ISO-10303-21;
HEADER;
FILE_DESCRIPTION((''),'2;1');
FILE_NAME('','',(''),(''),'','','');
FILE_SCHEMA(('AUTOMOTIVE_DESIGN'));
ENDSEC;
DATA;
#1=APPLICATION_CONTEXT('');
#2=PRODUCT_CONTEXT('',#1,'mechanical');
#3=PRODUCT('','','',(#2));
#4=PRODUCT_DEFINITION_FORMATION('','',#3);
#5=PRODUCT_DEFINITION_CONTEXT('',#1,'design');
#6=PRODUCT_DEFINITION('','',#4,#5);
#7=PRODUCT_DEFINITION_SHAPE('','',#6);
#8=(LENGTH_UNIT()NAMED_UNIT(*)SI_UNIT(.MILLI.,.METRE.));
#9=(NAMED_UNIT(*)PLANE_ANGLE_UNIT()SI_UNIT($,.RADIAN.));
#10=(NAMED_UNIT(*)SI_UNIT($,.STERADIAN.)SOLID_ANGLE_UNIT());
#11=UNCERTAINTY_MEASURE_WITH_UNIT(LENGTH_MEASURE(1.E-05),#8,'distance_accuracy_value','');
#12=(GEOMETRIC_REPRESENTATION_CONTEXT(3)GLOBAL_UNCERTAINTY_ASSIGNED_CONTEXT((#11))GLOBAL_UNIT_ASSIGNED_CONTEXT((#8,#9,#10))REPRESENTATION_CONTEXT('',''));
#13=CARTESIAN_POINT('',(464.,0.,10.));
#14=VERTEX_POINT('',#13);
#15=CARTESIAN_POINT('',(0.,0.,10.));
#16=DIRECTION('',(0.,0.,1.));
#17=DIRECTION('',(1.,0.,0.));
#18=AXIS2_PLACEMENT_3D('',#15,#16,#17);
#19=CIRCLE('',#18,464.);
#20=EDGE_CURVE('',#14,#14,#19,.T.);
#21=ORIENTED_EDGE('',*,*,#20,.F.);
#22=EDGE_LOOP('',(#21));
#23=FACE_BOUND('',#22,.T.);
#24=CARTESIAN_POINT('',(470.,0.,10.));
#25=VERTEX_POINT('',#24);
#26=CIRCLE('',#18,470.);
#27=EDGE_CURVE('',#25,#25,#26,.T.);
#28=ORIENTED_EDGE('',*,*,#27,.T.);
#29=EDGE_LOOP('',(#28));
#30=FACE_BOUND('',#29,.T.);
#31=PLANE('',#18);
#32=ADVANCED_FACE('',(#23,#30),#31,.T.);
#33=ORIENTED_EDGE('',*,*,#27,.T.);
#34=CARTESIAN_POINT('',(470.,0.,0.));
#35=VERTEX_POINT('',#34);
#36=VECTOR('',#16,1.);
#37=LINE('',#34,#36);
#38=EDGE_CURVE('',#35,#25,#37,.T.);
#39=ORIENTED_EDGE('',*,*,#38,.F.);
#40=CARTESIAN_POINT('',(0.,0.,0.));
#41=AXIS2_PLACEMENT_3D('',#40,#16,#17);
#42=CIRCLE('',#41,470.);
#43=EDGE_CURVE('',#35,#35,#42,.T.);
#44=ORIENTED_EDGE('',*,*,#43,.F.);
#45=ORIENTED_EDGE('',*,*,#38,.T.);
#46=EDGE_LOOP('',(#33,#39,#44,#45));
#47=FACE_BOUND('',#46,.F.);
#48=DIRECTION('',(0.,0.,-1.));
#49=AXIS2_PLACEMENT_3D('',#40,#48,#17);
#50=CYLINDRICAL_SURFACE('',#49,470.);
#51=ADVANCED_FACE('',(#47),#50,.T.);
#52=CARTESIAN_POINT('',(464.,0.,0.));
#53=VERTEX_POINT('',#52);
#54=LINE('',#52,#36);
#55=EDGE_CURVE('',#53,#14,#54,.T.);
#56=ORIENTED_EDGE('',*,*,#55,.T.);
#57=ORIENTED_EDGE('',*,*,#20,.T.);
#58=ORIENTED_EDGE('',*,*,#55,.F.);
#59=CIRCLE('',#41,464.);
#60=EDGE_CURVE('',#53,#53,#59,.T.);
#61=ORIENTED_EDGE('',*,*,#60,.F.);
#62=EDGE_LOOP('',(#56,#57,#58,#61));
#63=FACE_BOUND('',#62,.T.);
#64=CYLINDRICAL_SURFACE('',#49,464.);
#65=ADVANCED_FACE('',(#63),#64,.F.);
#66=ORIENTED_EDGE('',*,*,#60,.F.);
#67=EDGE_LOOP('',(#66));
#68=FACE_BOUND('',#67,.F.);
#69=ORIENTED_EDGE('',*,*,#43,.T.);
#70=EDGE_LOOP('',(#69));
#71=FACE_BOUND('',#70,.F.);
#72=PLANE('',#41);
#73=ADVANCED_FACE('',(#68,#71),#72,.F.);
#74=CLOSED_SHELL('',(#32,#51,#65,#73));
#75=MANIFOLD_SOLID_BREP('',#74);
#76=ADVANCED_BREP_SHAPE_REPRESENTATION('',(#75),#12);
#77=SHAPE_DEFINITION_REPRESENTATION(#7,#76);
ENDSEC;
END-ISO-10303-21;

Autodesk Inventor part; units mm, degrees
ref_plane "YZ Plane" through (0, 0, 0) normal (1, 0, 0) x (0, 1, 0)
ref_plane "XZ Plane" through (0, 0, 0) normal (0, 1, 0) x (-1, 0, 0)
ref_plane "XY Plane" through (0, 0, 0) normal (0, 0, 1) x (1, 0, 0)
sketch "Sketch1" plane through (0, 0, 0) normal (0, 0, 1) x (1, 0, 0)
  circle A0 centre (0, 0) radius 470
  circle A1 centre (0, 0) radius 464
  dimension "d0" = 940
  dimension "d1" = 6
extrude "Extrusion1" add sketch "Sketch1" along normal blind 10
sketch "Sketch2" plane through (0, 0, 0) normal (0, 0, 1) x (1, 0, 0)
  circle A0 centre (-90, -87.958) radius 95
  circle A1 centre (-250, -87.958) radius 95
  circle A2 centre (-398.347, -87.958) radius 95
  circle A3 centre (-128.347, -210) radius 95
  circle A4 centre (-313.347, -210) radius 95
  circle A5 centre (-218.347, -340) radius 95
  line L0 (1.653, -87.958) -> (-398.347, -87.958)
  line L1 (1.653, 2.1491) -> (1.653, -497.8509)
  line L2 (1.653, -340) -> (-218.347, -340)
  line L3 (1.653, -210) -> (-313.347, -210)
  circle A6 centre (-88.347, -340) radius 95
  point P0 (0, 0)
  dimension "d8" = 210
  dimension "d9" = 340
  dimension "d11" = 90
  dimension "d12" = 250
  dimension "d13" = 400
  dimension "d16" = 130
  dimension "d17" = 315
  dimension "d18" = 90
  dimension "d19" = 220
sketch "Sketch3" plane through (0, 0, 0) normal (0, 0, 1) x (1, 0, 0)
  circle A0 centre (-104.0992, -233.3488) radius 95
  circle A1 centre (-161.9131, -395.3117) radius 95
  circle A2 centre (-91.7953, -514.3257) radius 95
  circle A3 centre (-280.9346, -260.412) radius 95
  circle A4 centre (-299.5406, -418.8761) radius 95
  circle A5 centre (-250.7395, 99.5106) radius 95
  circle A6 centre (-395.8303, 87.9315) radius 95
  circle A7 centre (-535.2648, 91.0733) radius 95
  circle A8 centre (-460.3613, -287.8718) radius 95
  circle A9 centre (-531.2922, -111.9436) radius 95
  circle A10 centre (-392.3143, -102.4845) radius 95
  circle A11 centre (0, 0) radius 542.9574 construction
  circle A12 centre (-253.2201, -93.0176) radius 95
  circle A13 centre (-90.4998, -81.9426) radius 95
  circle A14 centre (85.6841, -88.1302) radius 95
  circle A15 centre (-90.4998, 88.0537) radius 95
  circle A16 centre (0, 0) radius 405.4794 construction
  circle A17 centre (0, 0) radius 269.7641 construction
  circle A18 centre (85.6841, 88.0537) radius 95
  line L0 (0, 0) -> (0, -542.9574)
  line L1 (0, -75.783) -> (-531.2922, -111.9436)
  line L2 (0, -217.4173) -> (-460.3613, -287.8718)
  circle A19 centre (0, 0) radius 600
  line L3 (0, -367.5891) -> (-299.5406, -418.8761)
  line L4 (-91.7953, -514.3257) -> (0, -514.3257)
  point P0 (0, 0)
  dimension "d21" = 190
  dimension "d22" = 1200
equation "\"GapSize\" = Thickness"
equation "\"BendRadius\" = Thickness"
equation "\"MinimumRemnant\" = 2 * Thickness"
equation "\"BendReliefDepth\" = 0.5 * Thickness"
equation "\"BendReliefWidth\" = Thickness"
equation "\"CornerReliefSize\" = 4 * Thickness"
equation "\"JacobiRadiusSize\" = BendRadius"
equation "\"TransitionRadius\" = BendRadius"
equation "\"way_tube_L1\" = 1"
equation "\"way_tube_L2\" = 1"
equation "\"way_tube_L3\" = 1"
equation "\"way_tube_L4\" = 1"
equation "\"way_tube_L5\" = 120"
equation "\"way_tube_L6\" = 90"
equation "\"way_tube_L7\" = 20"
equation "\"way_tube_L8\" = 90"
equation "\"way_tube_L9\" = 80"
equation "\"way_tube_L10\" = 80"
equation "\"Thickness\" = 3.048"
properties part number "TZS 169859 DIM filter-distribution-system 940"
